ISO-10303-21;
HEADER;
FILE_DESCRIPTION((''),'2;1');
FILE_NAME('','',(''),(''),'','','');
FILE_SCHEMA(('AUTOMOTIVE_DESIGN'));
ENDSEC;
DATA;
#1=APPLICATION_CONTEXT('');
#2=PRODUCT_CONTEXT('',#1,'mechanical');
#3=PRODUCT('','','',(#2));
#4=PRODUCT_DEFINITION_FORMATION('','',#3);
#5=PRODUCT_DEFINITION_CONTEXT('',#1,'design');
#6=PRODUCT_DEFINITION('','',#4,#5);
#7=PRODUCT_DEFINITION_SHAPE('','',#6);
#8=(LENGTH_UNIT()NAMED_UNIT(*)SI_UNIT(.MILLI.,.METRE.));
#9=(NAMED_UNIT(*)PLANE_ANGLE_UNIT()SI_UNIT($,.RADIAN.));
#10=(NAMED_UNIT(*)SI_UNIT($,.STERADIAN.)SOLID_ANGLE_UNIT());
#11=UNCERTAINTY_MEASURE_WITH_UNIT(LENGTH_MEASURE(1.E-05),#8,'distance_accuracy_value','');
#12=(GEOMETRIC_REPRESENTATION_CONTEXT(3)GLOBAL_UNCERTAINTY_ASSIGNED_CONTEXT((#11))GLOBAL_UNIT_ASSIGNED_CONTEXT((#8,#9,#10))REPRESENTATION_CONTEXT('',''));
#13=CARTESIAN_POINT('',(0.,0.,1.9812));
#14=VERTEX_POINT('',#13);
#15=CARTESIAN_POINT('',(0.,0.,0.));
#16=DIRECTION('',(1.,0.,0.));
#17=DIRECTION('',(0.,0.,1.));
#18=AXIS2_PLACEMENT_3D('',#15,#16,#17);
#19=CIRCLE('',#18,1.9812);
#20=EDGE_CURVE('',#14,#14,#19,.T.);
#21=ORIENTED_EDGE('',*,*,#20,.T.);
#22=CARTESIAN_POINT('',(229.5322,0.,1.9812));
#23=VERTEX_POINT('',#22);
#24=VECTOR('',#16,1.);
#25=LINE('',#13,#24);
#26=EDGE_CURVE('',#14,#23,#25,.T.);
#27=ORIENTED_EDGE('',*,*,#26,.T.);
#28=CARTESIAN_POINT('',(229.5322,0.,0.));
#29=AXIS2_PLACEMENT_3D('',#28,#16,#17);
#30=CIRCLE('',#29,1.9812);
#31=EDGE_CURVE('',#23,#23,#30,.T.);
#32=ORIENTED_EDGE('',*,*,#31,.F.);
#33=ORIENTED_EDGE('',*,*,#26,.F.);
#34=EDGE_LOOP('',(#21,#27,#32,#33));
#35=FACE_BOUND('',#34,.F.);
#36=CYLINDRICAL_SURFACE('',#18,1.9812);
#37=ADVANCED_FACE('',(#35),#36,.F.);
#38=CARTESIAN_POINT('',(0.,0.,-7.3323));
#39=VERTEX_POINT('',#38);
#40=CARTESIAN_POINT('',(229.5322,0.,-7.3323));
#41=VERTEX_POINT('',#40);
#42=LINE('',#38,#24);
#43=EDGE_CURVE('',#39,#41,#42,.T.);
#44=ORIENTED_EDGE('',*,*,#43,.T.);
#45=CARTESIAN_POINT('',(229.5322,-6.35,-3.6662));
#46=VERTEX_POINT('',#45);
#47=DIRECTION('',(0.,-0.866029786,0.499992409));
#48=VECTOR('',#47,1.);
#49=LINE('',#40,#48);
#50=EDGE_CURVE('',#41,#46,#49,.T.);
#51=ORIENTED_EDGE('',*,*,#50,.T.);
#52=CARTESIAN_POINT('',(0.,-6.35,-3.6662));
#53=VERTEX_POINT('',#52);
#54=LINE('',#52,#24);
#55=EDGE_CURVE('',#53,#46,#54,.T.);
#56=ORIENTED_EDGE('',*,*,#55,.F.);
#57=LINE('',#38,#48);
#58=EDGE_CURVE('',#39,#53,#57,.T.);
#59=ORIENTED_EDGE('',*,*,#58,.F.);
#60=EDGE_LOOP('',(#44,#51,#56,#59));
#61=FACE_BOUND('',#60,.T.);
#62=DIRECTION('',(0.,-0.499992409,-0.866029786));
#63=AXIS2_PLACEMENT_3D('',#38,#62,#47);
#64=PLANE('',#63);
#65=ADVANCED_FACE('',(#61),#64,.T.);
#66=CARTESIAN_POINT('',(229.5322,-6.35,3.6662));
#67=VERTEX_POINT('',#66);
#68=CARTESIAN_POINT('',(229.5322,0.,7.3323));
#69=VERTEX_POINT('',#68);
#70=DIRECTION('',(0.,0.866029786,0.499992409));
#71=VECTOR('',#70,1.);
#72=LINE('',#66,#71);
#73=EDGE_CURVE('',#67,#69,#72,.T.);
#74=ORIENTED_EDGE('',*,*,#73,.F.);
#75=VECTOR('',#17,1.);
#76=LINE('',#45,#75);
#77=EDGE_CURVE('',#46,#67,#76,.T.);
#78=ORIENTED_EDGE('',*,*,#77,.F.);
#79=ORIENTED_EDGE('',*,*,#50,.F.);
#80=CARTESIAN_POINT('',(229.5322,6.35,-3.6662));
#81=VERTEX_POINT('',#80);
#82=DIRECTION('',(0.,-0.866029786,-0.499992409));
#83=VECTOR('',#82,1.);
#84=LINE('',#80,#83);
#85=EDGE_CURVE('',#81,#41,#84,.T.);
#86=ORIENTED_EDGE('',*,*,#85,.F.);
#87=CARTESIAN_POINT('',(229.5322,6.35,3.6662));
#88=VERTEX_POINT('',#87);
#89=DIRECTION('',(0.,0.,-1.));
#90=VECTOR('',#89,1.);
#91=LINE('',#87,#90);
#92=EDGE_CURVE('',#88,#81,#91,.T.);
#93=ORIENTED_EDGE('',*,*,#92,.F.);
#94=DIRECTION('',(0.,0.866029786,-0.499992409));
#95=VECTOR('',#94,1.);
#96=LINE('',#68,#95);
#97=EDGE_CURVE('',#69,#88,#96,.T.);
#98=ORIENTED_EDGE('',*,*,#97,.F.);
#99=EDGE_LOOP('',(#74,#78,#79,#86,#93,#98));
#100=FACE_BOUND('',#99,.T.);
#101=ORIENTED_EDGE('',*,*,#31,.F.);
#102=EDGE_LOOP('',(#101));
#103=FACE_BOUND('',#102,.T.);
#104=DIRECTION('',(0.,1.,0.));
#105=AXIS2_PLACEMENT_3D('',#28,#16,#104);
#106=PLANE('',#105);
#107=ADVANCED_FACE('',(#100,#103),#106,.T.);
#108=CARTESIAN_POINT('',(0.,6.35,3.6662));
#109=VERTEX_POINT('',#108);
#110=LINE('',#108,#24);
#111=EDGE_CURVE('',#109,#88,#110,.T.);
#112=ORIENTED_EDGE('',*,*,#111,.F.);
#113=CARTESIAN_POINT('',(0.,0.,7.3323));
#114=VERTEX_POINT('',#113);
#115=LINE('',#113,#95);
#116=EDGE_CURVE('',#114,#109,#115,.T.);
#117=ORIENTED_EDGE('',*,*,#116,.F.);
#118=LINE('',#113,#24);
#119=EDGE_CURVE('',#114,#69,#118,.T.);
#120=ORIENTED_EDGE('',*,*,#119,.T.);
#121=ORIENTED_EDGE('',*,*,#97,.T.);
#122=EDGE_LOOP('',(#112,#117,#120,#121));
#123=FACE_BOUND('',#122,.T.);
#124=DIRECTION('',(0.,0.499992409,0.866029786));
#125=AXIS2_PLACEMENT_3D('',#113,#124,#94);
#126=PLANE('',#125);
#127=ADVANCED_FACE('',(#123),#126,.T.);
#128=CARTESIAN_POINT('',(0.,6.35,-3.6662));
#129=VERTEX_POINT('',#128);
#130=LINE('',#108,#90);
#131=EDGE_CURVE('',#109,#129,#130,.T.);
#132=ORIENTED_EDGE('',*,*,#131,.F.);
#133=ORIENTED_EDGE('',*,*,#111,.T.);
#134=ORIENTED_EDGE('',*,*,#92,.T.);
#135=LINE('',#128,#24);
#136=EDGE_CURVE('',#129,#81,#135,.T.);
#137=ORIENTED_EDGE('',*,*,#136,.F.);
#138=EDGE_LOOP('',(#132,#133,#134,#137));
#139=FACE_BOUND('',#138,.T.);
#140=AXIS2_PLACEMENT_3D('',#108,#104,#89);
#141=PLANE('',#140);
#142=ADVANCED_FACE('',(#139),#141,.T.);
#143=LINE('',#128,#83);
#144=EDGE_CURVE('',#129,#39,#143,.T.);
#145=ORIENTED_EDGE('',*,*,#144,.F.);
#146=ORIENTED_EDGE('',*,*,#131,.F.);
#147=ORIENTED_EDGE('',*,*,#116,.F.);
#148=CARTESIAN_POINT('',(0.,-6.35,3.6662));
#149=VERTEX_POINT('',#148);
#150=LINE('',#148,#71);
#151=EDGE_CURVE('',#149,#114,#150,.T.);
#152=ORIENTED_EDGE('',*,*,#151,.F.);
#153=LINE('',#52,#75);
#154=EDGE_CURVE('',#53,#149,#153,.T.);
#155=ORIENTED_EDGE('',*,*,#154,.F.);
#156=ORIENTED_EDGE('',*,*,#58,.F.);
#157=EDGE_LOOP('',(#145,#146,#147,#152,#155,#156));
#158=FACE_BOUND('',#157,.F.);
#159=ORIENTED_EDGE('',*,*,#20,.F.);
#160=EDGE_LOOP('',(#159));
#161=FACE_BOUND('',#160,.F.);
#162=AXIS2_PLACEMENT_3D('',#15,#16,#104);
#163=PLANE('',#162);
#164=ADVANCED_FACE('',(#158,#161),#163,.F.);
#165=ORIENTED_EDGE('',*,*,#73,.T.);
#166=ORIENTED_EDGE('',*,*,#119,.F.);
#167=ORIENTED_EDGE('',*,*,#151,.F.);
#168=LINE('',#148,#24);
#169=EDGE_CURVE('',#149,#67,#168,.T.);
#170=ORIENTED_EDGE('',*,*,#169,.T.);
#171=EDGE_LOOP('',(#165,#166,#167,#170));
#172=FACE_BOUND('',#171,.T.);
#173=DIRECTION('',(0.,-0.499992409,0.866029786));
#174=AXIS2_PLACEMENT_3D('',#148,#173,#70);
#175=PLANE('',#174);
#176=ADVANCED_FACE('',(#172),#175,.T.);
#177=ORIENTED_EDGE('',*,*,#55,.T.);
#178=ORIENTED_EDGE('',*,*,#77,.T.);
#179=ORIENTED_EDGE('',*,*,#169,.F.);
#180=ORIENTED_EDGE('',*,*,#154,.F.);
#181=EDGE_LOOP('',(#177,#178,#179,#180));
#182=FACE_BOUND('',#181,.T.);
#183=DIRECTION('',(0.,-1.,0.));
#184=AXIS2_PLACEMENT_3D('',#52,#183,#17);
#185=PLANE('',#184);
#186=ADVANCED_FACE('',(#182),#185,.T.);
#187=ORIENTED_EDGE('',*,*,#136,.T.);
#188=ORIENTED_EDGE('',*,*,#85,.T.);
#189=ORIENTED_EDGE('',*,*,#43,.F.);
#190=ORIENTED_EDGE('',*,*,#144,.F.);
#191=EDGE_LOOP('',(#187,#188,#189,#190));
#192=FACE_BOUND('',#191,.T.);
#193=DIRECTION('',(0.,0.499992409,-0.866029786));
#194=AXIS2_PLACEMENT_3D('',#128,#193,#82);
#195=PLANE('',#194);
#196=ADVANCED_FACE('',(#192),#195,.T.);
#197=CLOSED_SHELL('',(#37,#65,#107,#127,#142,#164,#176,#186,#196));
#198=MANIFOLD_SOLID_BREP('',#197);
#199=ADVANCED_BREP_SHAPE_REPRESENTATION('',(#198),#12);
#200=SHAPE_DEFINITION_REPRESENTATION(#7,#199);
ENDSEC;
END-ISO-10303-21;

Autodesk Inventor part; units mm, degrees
ref_plane "YZ Plane" through (0, 0, 0) normal (1, 0, 0) x (0, 1, 0)
ref_plane "XZ Plane" through (0, 0, 0) normal (0, 1, 0) x (-1, 0, 0)
ref_plane "XY Plane" through (0, 0, 0) normal (0, 0, 1) x (1, 0, 0)
sketch "Sketch1" plane through (0, 0, 0) normal (1, 0, 0) x (0, 1, 0)
  line L0 (-6.35, -3.6662) -> (-6.35, 3.6662)
  line L1 (-6.35, 3.6662) -> (0, 7.3323)
  line L2 (0, 7.3323) -> (6.35, 3.6662)
  line L3 (6.35, 3.6662) -> (6.35, -3.6662)
  line L4 (6.35, -3.6662) -> (0, -7.3323)
  line L5 (0, -7.3323) -> (-6.35, -3.6662)
  point P0 (0, 0)
  point P1 (0, 0)
  dimension "d0" = 12.7
extrude "Extrusion1" add sketch "Sketch1" along normal blind 229.5322
sketch "Sketch2" plane through (0, 0, 0) normal (-1, 0, 0) x (0, 0, 1)
  point P0 (0, 0)
  point P1 (0, 0)
hole "Hole1" at (0, 0, 0) direction (1, 0, 0) diameter 3.9624 end through all thread size "10-32 UNF" class "2B" standard "ANSI Unified Screw Threads"
properties part number "STOCK,SHAFT,HEX,SHOOTER" material "Aluminum 6061"
